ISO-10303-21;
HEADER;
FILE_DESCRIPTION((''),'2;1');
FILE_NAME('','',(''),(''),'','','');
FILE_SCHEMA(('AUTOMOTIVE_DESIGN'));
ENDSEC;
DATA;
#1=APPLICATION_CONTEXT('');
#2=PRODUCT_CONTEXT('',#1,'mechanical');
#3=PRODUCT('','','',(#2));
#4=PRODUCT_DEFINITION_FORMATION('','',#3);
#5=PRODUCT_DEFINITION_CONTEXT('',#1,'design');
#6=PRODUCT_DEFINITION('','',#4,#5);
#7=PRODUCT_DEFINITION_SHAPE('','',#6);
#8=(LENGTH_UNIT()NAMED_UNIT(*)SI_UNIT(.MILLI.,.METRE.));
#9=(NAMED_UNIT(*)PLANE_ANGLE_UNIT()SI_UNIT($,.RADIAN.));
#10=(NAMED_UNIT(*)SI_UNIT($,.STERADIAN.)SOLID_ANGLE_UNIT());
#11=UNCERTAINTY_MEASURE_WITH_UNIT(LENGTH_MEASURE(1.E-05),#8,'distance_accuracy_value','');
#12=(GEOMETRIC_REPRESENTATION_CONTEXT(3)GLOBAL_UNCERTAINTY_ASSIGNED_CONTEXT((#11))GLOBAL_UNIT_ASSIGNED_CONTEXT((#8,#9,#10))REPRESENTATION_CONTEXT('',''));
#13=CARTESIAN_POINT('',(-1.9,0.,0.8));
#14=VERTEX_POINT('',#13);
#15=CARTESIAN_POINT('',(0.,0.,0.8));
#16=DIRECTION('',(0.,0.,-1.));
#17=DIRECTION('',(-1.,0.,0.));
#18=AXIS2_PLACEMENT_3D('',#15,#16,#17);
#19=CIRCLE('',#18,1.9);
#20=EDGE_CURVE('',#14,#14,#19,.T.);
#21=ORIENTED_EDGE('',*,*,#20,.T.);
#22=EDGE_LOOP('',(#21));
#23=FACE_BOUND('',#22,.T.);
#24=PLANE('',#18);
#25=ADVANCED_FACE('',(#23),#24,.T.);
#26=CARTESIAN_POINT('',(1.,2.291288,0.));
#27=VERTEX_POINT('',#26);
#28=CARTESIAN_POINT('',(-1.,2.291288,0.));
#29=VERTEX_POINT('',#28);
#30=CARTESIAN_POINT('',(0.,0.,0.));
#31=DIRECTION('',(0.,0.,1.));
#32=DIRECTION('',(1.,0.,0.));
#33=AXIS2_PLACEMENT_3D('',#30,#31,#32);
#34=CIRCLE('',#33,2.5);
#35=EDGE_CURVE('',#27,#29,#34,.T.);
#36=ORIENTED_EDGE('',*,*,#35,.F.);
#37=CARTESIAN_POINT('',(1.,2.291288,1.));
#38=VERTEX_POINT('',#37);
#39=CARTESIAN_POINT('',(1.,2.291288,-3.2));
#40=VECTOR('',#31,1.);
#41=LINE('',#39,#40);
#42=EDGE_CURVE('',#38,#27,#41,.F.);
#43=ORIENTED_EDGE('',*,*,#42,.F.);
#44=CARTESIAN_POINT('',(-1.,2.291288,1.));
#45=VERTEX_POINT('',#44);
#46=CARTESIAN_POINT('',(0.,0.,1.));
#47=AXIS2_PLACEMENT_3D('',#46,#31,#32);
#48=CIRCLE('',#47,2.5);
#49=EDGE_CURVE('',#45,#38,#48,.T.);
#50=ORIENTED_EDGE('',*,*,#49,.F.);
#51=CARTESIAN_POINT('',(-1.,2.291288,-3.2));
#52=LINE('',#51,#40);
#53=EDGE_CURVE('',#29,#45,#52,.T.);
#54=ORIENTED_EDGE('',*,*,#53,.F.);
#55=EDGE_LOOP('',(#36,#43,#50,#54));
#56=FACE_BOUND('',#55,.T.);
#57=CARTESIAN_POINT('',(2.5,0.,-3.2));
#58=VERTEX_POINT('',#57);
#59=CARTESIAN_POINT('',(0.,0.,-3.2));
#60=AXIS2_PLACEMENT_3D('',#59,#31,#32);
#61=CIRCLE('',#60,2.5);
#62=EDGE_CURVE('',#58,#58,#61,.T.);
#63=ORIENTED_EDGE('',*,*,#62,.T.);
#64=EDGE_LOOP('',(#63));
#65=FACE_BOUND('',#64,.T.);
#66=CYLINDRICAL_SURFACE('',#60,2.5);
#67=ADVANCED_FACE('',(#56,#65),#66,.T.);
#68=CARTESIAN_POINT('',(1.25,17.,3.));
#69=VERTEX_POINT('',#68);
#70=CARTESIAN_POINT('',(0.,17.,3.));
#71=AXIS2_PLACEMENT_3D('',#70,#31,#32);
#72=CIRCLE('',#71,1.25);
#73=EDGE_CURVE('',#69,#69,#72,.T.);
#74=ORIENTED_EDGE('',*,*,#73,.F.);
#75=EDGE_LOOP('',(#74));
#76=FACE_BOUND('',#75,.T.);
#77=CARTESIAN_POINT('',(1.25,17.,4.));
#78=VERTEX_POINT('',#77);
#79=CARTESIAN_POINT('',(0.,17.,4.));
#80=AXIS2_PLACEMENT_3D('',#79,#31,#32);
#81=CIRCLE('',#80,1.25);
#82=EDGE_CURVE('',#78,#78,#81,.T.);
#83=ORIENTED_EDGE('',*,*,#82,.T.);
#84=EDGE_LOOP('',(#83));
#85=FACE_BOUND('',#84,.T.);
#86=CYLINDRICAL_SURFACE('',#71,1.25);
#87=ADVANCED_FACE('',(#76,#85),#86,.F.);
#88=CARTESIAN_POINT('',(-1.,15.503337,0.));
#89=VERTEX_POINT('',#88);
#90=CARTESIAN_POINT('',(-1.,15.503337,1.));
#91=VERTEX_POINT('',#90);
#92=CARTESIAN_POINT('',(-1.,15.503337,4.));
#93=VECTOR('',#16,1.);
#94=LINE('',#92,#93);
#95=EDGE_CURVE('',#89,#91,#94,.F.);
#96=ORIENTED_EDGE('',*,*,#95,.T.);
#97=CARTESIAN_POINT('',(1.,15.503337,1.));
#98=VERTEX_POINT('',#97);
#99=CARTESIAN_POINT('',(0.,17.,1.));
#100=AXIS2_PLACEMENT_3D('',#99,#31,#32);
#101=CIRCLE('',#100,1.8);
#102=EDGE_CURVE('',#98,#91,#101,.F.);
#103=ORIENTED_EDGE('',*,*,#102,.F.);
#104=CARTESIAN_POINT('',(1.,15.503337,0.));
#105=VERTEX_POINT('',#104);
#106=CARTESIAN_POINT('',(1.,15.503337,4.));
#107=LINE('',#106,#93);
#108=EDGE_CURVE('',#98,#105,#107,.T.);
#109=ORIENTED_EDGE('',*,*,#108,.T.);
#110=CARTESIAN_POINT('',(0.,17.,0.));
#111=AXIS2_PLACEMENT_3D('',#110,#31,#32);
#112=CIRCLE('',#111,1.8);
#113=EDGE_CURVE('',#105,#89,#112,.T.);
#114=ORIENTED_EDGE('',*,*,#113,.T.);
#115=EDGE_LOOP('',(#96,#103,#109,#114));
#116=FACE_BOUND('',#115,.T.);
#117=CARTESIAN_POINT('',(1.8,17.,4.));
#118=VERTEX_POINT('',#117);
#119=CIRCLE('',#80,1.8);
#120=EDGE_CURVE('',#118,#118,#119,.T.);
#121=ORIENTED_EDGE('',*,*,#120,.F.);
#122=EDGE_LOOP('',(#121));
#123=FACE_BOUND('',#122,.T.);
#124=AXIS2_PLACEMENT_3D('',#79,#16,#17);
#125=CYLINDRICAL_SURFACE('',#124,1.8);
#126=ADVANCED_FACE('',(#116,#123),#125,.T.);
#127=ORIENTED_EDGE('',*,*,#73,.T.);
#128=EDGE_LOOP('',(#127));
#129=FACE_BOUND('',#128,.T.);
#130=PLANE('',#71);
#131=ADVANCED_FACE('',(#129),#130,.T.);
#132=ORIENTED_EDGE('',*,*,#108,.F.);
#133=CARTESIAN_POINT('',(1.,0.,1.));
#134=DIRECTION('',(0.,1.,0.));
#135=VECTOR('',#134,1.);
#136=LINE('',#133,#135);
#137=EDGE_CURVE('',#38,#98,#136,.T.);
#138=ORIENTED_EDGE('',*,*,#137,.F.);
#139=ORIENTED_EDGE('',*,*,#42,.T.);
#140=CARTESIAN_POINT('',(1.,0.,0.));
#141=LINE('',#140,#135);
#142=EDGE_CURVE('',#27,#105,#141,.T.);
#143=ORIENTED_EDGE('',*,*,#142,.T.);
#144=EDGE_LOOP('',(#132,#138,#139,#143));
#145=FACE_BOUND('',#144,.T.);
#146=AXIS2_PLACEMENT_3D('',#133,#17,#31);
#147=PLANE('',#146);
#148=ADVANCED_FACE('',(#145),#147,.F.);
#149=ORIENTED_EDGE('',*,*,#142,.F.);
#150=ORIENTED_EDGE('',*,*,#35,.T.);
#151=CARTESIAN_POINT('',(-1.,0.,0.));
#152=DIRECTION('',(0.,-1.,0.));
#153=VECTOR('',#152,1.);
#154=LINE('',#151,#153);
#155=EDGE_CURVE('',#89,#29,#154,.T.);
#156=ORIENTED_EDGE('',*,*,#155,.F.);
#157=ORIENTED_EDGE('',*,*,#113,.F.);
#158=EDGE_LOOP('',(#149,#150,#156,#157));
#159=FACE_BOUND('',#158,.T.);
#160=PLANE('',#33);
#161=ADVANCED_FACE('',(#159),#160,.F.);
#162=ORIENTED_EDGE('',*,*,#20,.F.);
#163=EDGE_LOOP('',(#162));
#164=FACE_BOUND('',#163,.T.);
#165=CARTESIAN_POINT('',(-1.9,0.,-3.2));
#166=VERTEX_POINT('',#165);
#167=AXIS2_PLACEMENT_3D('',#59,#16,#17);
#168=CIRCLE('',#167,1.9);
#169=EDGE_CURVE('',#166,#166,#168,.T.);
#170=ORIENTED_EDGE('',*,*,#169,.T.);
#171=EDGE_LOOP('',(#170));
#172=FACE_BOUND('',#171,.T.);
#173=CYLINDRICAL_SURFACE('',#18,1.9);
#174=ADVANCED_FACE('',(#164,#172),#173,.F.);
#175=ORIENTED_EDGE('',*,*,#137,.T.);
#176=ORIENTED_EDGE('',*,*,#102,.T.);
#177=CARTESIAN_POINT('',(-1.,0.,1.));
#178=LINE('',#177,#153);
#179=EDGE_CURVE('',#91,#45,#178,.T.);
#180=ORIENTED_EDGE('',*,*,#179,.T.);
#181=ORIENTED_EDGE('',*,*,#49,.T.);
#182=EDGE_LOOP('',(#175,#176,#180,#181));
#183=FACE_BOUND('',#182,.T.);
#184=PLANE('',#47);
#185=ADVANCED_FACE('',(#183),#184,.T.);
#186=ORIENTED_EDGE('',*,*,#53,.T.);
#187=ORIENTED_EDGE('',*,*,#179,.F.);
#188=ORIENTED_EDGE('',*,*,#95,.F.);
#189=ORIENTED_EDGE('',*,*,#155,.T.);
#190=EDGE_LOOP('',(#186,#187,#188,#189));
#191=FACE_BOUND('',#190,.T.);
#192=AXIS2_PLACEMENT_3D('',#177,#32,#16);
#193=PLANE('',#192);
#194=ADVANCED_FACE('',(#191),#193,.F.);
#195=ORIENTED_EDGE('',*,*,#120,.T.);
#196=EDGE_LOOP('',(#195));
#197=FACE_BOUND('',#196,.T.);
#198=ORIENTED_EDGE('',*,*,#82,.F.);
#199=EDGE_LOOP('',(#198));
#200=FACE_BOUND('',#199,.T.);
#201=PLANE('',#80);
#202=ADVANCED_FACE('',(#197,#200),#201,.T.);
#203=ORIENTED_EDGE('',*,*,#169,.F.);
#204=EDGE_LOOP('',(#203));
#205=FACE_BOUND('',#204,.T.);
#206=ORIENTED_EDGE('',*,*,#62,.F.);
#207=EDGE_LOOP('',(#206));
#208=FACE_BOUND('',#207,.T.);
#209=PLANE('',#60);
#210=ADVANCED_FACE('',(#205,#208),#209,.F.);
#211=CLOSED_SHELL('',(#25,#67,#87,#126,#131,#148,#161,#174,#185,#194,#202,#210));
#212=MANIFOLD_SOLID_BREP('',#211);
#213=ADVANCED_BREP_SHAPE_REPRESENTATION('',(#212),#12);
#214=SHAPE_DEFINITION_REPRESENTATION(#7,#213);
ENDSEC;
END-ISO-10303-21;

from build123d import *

# Parameters (mm, degrees)
EXTRUDE_1_DEPTH     = 1
SKETCH_2_R          = 1.8
EXTRUDE_2_DEPTH     = 4
SKETCH_3_R          = 1.25
CUT_EXTRUDE_1_DEPTH = 1
SKETCH_4_R          = 2.5
EXTRUDE_3_DEPTH     = 4.2
SKETCH_5_R          = 1.9
CUT_EXTRUDE_2_DEPTH = 4


with BuildPart() as part:
    # 草图1 → 凸台-拉伸1 (new body)
    with BuildSketch(Plane.XY):
        with BuildLine():
            Line((-1, 0), (-1, 17))
            ThreePointArc((-1, 17), (0, 18), (1, 17))
            Line((1, 17), (1, 0))
            ThreePointArc((1, 0), (0, -1), (-1, 0))
        make_face()
    extrude(amount=EXTRUDE_1_DEPTH)

    # 草图2 → 凸台-拉伸2 (add)
    with BuildSketch(Plane.XY):
        with Locations((0, 17)):
            Circle(SKETCH_2_R)
    extrude(amount=EXTRUDE_2_DEPTH)

    # 草图3 → 切除-拉伸1 (cut)
    with BuildSketch(Plane.XY.offset(4)):
        with Locations((0, 17)):
            Circle(SKETCH_3_R)
    extrude(amount=-CUT_EXTRUDE_1_DEPTH, mode=Mode.SUBTRACT)

    # 草图4 → 凸台-拉伸3 (add)
    with BuildSketch(Plane.XY.offset(1)):
        Circle(SKETCH_4_R)
    extrude(amount=-EXTRUDE_3_DEPTH)

    # 草图5 → 切除-拉伸2 (cut)
    with BuildSketch(Plane(origin=(0, 0, -3.2), x_dir=(-1, 0, 0), z_dir=(0, 0, -1))):
        Circle(SKETCH_5_R)
    extrude(amount=-CUT_EXTRUDE_2_DEPTH, mode=Mode.SUBTRACT)


solid = part.part
